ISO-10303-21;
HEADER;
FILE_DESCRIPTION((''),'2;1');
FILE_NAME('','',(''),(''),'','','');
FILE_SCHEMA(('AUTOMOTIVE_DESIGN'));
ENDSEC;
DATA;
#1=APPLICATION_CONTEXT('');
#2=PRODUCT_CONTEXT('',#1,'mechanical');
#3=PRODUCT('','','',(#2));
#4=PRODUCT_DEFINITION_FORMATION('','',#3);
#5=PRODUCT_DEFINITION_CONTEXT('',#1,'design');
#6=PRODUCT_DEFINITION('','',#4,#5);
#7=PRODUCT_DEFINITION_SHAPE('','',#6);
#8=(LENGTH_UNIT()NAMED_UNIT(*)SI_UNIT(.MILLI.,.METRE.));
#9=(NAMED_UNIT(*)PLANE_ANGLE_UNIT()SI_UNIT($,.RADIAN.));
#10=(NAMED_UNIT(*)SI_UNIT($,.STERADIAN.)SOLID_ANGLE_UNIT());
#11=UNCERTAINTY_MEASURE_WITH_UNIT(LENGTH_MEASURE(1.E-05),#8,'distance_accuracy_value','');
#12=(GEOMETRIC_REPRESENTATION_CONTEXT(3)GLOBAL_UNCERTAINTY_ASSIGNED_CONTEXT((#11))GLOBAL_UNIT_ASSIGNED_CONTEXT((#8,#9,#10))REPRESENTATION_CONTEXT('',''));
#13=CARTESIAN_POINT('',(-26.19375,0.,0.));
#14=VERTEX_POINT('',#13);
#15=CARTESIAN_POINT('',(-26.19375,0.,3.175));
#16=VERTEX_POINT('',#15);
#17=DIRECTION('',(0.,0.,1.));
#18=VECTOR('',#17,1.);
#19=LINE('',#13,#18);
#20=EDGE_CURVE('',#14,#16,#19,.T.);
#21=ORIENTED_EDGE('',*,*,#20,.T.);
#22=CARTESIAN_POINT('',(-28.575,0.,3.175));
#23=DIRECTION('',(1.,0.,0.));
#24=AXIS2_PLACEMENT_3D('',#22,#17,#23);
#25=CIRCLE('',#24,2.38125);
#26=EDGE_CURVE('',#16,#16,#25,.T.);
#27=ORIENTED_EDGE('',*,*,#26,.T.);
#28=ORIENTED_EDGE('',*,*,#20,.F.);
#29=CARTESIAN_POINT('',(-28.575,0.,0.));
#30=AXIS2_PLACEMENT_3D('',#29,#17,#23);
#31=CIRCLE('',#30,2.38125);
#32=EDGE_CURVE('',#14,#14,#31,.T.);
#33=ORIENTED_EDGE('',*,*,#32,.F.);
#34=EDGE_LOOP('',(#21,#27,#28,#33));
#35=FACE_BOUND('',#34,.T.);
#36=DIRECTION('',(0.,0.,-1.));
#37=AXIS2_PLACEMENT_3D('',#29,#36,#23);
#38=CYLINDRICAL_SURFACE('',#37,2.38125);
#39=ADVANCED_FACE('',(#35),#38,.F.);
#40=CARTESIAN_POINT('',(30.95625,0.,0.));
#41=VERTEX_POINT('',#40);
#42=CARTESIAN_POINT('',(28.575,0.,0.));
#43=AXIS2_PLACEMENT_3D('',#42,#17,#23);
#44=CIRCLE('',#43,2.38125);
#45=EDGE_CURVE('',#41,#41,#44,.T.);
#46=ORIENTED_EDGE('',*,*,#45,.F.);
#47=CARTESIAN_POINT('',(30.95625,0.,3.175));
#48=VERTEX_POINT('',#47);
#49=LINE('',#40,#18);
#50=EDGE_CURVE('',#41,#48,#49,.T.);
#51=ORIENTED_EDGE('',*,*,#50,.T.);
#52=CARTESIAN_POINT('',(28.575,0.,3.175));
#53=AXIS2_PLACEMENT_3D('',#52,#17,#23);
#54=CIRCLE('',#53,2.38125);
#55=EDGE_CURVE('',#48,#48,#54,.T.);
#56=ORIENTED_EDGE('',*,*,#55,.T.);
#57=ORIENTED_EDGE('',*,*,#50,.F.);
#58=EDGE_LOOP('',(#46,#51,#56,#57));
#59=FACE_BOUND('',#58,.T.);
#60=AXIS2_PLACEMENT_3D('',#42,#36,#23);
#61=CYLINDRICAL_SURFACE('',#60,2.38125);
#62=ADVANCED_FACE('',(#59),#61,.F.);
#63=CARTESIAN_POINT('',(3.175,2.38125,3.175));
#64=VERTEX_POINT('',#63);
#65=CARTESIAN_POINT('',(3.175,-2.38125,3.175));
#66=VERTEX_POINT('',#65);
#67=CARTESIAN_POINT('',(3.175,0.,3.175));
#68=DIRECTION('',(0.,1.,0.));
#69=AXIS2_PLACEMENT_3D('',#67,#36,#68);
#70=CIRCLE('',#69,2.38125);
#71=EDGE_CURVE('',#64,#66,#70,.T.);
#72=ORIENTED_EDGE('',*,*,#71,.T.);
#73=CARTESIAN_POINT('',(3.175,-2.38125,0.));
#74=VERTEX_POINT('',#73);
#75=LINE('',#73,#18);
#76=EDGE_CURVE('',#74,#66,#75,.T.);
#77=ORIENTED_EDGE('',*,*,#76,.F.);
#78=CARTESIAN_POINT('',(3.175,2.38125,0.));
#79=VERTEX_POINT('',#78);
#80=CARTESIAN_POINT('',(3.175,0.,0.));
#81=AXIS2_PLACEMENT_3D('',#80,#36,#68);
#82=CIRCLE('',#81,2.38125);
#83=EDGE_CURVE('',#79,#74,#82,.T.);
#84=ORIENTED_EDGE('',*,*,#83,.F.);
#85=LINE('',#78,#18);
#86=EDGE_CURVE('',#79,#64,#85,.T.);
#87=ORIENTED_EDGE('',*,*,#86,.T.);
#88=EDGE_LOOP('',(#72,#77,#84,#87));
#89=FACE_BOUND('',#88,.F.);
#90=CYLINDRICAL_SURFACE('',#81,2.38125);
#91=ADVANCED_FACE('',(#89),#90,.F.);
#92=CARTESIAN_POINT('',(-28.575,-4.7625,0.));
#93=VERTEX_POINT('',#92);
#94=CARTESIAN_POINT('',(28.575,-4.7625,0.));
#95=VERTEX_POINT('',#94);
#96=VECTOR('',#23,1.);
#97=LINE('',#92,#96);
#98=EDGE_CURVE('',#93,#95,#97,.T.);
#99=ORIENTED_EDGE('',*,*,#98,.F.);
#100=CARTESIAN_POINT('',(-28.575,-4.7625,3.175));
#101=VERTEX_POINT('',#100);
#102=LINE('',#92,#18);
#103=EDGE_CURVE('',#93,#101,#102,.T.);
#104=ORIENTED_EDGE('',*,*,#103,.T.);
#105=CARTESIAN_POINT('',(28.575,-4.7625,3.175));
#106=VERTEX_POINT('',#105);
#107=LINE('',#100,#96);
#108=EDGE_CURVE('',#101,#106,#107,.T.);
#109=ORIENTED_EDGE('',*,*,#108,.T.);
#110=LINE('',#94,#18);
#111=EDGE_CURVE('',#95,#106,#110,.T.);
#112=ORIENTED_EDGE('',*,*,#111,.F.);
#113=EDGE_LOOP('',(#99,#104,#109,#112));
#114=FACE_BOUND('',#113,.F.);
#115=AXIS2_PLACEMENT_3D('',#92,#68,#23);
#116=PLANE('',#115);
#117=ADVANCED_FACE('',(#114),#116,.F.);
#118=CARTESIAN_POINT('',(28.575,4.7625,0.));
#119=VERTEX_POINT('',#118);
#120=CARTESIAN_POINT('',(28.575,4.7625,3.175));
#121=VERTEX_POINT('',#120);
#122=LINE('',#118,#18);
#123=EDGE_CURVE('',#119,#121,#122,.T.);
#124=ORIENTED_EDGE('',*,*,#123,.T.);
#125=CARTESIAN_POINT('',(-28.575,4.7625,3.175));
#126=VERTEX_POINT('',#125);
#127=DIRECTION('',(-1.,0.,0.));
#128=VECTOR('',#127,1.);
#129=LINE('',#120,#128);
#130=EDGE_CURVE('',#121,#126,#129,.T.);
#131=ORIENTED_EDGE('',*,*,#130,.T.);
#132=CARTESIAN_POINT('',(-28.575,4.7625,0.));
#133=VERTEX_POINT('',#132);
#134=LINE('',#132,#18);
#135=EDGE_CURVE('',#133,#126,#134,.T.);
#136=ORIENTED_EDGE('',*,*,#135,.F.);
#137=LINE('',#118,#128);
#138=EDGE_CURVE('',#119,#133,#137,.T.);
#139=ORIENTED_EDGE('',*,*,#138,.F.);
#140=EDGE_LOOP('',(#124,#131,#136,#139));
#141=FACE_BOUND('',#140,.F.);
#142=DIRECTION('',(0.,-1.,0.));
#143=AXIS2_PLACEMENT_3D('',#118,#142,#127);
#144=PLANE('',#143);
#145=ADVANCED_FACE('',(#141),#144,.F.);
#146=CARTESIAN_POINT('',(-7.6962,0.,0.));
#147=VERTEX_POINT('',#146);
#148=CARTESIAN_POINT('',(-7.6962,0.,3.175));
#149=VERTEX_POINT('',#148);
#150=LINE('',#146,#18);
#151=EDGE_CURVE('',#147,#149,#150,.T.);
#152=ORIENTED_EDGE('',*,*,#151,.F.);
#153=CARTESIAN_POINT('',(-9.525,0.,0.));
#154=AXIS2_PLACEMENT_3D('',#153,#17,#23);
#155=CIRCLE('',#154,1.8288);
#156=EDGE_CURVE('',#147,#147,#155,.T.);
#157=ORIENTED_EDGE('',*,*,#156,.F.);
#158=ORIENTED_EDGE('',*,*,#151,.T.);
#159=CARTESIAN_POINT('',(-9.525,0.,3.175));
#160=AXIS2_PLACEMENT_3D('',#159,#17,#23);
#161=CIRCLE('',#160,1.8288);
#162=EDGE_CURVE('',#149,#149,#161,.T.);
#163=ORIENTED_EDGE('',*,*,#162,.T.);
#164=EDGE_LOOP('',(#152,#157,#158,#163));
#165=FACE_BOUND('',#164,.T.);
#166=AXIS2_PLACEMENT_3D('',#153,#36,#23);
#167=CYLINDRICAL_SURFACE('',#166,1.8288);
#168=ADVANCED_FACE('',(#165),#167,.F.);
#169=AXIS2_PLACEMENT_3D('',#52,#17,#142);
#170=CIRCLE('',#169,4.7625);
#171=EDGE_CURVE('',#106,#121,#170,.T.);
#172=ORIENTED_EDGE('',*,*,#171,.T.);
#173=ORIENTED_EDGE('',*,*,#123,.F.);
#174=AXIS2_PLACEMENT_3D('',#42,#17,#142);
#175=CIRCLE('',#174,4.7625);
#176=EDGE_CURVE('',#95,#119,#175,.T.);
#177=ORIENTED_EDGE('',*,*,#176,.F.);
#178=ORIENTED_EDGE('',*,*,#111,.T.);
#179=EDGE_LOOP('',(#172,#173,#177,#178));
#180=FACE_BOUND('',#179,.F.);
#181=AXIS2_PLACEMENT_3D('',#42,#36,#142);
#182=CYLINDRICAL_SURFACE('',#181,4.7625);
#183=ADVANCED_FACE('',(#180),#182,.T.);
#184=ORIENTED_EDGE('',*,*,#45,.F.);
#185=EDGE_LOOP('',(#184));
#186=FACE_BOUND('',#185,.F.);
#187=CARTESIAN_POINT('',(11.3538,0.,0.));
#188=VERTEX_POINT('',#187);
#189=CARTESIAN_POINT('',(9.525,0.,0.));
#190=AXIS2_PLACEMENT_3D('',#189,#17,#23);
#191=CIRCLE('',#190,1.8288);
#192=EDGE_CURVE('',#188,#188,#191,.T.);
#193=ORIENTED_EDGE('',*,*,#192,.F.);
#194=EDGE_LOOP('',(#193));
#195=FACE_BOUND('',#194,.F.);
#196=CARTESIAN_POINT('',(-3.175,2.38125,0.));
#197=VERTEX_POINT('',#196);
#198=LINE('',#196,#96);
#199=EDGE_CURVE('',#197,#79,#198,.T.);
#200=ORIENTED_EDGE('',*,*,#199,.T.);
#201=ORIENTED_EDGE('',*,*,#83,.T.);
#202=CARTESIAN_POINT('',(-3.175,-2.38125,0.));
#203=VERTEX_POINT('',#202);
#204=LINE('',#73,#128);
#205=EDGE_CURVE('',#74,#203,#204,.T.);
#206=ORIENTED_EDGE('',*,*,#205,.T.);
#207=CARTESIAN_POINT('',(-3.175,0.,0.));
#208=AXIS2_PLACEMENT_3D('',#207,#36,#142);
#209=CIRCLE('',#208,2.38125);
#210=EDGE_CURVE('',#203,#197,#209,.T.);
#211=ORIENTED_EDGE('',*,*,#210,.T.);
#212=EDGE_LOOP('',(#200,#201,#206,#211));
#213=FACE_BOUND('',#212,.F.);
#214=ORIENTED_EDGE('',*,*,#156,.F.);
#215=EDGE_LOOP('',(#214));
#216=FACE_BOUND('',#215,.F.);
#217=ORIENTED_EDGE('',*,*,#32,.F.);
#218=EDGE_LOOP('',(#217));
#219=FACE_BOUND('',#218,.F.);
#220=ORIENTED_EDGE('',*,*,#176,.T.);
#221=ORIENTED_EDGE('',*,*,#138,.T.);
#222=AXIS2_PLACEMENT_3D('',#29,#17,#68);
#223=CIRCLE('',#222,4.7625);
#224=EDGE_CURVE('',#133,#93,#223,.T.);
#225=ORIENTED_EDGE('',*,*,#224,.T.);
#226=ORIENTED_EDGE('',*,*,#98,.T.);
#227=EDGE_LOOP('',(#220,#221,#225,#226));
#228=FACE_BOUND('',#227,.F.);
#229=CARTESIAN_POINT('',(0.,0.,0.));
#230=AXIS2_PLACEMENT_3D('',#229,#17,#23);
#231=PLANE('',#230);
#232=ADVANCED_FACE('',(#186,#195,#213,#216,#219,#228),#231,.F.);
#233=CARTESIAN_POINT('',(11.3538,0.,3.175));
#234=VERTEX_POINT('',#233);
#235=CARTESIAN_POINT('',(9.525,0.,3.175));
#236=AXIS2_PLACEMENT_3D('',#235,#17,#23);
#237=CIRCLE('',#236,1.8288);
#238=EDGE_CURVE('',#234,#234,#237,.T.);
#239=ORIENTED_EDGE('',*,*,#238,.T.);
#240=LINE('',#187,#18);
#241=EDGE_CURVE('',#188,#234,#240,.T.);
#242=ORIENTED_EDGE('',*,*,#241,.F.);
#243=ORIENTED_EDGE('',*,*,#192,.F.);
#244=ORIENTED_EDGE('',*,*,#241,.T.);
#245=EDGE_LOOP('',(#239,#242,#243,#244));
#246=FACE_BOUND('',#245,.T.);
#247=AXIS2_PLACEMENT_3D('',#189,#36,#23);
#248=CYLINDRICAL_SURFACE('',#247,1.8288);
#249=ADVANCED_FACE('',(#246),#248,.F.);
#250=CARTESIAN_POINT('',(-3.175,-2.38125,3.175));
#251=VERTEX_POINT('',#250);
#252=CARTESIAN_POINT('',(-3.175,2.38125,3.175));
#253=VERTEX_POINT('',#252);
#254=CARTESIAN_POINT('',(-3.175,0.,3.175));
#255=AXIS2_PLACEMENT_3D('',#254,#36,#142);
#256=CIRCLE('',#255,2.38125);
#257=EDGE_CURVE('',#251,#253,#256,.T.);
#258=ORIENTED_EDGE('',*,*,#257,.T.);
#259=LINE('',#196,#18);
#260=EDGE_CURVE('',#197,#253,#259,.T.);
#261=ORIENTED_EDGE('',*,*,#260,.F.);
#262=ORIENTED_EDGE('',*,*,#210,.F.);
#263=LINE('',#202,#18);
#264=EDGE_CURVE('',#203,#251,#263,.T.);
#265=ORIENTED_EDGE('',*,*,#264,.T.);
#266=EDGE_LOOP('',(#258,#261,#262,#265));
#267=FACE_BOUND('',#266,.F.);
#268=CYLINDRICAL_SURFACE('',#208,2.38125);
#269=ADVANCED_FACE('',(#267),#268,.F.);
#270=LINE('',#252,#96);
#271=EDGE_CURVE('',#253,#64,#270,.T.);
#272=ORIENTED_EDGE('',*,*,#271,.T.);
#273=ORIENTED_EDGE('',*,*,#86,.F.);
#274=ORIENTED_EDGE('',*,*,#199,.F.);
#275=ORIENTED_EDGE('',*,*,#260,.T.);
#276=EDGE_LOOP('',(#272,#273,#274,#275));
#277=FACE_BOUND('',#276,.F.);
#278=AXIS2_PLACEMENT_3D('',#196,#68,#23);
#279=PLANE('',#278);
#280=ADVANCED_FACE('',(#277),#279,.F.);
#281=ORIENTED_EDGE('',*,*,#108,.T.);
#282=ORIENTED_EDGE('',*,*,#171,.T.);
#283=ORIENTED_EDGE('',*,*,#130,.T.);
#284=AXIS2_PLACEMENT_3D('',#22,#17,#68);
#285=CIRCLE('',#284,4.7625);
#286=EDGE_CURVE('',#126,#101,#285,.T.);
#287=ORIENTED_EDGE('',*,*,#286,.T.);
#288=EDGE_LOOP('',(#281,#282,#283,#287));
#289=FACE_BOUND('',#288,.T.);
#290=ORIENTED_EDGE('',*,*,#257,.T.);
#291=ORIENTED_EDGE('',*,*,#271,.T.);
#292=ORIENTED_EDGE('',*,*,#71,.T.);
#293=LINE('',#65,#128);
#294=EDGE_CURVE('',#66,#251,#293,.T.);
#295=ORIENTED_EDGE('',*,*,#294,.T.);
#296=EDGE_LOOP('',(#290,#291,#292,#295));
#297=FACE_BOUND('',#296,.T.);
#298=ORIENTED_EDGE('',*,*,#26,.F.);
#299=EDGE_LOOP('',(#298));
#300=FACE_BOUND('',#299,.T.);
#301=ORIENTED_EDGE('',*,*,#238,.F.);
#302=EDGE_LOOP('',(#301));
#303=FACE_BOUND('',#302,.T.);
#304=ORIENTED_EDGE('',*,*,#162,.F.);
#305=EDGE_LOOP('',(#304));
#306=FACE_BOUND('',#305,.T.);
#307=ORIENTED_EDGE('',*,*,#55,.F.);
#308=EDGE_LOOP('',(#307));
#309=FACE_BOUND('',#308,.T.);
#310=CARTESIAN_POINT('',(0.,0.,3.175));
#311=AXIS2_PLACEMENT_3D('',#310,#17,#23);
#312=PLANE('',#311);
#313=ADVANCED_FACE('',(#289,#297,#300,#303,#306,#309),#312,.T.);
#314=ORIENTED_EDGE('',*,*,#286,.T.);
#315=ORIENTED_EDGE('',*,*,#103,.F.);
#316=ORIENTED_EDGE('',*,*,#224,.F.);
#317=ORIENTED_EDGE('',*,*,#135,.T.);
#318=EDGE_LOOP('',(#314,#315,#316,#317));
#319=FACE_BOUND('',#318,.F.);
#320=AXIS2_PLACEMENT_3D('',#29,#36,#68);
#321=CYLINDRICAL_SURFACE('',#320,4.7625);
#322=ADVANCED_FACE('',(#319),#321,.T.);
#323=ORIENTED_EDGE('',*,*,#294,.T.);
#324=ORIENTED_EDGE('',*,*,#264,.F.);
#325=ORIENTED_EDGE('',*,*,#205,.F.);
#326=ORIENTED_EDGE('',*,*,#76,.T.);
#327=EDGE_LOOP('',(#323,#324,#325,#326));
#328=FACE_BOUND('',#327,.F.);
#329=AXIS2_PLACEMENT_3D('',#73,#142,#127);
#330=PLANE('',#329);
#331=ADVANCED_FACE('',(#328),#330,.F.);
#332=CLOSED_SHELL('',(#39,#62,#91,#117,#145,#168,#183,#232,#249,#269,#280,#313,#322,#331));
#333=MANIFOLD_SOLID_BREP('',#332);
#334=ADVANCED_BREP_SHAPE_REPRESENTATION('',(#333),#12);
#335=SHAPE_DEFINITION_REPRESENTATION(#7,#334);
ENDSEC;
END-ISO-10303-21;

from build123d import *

# Parameters (mm, degrees)
F0_R     = 2.38125
F0_R_2   = 1.8288
F1_DEPTH = 3.175


with BuildPart() as f1:
    # F0 (on Top) → F1 (new body)
    with BuildSketch(Plane.XY):
        with BuildLine():
            ThreePointArc((28.575, -4.7625), (33.3375, 0), (28.575, 4.7625))
            Line((28.575, 4.7625), (-28.575, 4.7625))
            ThreePointArc((-28.575, 4.7625), (-33.3375, 0), (-28.575, -4.7625))
            Line((-28.575, -4.7625), (28.575, -4.7625))
        make_face()
        with Locations((-28.575, 0)):
            Circle(F0_R, mode=Mode.SUBTRACT)
        with Locations((-9.525, 0)):
            Circle(F0_R_2, mode=Mode.SUBTRACT)
        with BuildLine():
            ThreePointArc((3.175, 2.38125), (5.55625, 0), (3.175, -2.38125))
            Line((3.175, -2.38125), (-3.175, -2.38125))
            ThreePointArc((-3.175, -2.38125), (-5.55625, 0), (-3.175, 2.38125))
            Line((-3.175, 2.38125), (3.175, 2.38125))
        make_face(mode=Mode.SUBTRACT)
        with Locations((9.525, 0)):
            Circle(F0_R_2, mode=Mode.SUBTRACT)
        with Locations((28.575, 0)):
            Circle(F0_R, mode=Mode.SUBTRACT)
    extrude(amount=F1_DEPTH)


solid = f1.part
